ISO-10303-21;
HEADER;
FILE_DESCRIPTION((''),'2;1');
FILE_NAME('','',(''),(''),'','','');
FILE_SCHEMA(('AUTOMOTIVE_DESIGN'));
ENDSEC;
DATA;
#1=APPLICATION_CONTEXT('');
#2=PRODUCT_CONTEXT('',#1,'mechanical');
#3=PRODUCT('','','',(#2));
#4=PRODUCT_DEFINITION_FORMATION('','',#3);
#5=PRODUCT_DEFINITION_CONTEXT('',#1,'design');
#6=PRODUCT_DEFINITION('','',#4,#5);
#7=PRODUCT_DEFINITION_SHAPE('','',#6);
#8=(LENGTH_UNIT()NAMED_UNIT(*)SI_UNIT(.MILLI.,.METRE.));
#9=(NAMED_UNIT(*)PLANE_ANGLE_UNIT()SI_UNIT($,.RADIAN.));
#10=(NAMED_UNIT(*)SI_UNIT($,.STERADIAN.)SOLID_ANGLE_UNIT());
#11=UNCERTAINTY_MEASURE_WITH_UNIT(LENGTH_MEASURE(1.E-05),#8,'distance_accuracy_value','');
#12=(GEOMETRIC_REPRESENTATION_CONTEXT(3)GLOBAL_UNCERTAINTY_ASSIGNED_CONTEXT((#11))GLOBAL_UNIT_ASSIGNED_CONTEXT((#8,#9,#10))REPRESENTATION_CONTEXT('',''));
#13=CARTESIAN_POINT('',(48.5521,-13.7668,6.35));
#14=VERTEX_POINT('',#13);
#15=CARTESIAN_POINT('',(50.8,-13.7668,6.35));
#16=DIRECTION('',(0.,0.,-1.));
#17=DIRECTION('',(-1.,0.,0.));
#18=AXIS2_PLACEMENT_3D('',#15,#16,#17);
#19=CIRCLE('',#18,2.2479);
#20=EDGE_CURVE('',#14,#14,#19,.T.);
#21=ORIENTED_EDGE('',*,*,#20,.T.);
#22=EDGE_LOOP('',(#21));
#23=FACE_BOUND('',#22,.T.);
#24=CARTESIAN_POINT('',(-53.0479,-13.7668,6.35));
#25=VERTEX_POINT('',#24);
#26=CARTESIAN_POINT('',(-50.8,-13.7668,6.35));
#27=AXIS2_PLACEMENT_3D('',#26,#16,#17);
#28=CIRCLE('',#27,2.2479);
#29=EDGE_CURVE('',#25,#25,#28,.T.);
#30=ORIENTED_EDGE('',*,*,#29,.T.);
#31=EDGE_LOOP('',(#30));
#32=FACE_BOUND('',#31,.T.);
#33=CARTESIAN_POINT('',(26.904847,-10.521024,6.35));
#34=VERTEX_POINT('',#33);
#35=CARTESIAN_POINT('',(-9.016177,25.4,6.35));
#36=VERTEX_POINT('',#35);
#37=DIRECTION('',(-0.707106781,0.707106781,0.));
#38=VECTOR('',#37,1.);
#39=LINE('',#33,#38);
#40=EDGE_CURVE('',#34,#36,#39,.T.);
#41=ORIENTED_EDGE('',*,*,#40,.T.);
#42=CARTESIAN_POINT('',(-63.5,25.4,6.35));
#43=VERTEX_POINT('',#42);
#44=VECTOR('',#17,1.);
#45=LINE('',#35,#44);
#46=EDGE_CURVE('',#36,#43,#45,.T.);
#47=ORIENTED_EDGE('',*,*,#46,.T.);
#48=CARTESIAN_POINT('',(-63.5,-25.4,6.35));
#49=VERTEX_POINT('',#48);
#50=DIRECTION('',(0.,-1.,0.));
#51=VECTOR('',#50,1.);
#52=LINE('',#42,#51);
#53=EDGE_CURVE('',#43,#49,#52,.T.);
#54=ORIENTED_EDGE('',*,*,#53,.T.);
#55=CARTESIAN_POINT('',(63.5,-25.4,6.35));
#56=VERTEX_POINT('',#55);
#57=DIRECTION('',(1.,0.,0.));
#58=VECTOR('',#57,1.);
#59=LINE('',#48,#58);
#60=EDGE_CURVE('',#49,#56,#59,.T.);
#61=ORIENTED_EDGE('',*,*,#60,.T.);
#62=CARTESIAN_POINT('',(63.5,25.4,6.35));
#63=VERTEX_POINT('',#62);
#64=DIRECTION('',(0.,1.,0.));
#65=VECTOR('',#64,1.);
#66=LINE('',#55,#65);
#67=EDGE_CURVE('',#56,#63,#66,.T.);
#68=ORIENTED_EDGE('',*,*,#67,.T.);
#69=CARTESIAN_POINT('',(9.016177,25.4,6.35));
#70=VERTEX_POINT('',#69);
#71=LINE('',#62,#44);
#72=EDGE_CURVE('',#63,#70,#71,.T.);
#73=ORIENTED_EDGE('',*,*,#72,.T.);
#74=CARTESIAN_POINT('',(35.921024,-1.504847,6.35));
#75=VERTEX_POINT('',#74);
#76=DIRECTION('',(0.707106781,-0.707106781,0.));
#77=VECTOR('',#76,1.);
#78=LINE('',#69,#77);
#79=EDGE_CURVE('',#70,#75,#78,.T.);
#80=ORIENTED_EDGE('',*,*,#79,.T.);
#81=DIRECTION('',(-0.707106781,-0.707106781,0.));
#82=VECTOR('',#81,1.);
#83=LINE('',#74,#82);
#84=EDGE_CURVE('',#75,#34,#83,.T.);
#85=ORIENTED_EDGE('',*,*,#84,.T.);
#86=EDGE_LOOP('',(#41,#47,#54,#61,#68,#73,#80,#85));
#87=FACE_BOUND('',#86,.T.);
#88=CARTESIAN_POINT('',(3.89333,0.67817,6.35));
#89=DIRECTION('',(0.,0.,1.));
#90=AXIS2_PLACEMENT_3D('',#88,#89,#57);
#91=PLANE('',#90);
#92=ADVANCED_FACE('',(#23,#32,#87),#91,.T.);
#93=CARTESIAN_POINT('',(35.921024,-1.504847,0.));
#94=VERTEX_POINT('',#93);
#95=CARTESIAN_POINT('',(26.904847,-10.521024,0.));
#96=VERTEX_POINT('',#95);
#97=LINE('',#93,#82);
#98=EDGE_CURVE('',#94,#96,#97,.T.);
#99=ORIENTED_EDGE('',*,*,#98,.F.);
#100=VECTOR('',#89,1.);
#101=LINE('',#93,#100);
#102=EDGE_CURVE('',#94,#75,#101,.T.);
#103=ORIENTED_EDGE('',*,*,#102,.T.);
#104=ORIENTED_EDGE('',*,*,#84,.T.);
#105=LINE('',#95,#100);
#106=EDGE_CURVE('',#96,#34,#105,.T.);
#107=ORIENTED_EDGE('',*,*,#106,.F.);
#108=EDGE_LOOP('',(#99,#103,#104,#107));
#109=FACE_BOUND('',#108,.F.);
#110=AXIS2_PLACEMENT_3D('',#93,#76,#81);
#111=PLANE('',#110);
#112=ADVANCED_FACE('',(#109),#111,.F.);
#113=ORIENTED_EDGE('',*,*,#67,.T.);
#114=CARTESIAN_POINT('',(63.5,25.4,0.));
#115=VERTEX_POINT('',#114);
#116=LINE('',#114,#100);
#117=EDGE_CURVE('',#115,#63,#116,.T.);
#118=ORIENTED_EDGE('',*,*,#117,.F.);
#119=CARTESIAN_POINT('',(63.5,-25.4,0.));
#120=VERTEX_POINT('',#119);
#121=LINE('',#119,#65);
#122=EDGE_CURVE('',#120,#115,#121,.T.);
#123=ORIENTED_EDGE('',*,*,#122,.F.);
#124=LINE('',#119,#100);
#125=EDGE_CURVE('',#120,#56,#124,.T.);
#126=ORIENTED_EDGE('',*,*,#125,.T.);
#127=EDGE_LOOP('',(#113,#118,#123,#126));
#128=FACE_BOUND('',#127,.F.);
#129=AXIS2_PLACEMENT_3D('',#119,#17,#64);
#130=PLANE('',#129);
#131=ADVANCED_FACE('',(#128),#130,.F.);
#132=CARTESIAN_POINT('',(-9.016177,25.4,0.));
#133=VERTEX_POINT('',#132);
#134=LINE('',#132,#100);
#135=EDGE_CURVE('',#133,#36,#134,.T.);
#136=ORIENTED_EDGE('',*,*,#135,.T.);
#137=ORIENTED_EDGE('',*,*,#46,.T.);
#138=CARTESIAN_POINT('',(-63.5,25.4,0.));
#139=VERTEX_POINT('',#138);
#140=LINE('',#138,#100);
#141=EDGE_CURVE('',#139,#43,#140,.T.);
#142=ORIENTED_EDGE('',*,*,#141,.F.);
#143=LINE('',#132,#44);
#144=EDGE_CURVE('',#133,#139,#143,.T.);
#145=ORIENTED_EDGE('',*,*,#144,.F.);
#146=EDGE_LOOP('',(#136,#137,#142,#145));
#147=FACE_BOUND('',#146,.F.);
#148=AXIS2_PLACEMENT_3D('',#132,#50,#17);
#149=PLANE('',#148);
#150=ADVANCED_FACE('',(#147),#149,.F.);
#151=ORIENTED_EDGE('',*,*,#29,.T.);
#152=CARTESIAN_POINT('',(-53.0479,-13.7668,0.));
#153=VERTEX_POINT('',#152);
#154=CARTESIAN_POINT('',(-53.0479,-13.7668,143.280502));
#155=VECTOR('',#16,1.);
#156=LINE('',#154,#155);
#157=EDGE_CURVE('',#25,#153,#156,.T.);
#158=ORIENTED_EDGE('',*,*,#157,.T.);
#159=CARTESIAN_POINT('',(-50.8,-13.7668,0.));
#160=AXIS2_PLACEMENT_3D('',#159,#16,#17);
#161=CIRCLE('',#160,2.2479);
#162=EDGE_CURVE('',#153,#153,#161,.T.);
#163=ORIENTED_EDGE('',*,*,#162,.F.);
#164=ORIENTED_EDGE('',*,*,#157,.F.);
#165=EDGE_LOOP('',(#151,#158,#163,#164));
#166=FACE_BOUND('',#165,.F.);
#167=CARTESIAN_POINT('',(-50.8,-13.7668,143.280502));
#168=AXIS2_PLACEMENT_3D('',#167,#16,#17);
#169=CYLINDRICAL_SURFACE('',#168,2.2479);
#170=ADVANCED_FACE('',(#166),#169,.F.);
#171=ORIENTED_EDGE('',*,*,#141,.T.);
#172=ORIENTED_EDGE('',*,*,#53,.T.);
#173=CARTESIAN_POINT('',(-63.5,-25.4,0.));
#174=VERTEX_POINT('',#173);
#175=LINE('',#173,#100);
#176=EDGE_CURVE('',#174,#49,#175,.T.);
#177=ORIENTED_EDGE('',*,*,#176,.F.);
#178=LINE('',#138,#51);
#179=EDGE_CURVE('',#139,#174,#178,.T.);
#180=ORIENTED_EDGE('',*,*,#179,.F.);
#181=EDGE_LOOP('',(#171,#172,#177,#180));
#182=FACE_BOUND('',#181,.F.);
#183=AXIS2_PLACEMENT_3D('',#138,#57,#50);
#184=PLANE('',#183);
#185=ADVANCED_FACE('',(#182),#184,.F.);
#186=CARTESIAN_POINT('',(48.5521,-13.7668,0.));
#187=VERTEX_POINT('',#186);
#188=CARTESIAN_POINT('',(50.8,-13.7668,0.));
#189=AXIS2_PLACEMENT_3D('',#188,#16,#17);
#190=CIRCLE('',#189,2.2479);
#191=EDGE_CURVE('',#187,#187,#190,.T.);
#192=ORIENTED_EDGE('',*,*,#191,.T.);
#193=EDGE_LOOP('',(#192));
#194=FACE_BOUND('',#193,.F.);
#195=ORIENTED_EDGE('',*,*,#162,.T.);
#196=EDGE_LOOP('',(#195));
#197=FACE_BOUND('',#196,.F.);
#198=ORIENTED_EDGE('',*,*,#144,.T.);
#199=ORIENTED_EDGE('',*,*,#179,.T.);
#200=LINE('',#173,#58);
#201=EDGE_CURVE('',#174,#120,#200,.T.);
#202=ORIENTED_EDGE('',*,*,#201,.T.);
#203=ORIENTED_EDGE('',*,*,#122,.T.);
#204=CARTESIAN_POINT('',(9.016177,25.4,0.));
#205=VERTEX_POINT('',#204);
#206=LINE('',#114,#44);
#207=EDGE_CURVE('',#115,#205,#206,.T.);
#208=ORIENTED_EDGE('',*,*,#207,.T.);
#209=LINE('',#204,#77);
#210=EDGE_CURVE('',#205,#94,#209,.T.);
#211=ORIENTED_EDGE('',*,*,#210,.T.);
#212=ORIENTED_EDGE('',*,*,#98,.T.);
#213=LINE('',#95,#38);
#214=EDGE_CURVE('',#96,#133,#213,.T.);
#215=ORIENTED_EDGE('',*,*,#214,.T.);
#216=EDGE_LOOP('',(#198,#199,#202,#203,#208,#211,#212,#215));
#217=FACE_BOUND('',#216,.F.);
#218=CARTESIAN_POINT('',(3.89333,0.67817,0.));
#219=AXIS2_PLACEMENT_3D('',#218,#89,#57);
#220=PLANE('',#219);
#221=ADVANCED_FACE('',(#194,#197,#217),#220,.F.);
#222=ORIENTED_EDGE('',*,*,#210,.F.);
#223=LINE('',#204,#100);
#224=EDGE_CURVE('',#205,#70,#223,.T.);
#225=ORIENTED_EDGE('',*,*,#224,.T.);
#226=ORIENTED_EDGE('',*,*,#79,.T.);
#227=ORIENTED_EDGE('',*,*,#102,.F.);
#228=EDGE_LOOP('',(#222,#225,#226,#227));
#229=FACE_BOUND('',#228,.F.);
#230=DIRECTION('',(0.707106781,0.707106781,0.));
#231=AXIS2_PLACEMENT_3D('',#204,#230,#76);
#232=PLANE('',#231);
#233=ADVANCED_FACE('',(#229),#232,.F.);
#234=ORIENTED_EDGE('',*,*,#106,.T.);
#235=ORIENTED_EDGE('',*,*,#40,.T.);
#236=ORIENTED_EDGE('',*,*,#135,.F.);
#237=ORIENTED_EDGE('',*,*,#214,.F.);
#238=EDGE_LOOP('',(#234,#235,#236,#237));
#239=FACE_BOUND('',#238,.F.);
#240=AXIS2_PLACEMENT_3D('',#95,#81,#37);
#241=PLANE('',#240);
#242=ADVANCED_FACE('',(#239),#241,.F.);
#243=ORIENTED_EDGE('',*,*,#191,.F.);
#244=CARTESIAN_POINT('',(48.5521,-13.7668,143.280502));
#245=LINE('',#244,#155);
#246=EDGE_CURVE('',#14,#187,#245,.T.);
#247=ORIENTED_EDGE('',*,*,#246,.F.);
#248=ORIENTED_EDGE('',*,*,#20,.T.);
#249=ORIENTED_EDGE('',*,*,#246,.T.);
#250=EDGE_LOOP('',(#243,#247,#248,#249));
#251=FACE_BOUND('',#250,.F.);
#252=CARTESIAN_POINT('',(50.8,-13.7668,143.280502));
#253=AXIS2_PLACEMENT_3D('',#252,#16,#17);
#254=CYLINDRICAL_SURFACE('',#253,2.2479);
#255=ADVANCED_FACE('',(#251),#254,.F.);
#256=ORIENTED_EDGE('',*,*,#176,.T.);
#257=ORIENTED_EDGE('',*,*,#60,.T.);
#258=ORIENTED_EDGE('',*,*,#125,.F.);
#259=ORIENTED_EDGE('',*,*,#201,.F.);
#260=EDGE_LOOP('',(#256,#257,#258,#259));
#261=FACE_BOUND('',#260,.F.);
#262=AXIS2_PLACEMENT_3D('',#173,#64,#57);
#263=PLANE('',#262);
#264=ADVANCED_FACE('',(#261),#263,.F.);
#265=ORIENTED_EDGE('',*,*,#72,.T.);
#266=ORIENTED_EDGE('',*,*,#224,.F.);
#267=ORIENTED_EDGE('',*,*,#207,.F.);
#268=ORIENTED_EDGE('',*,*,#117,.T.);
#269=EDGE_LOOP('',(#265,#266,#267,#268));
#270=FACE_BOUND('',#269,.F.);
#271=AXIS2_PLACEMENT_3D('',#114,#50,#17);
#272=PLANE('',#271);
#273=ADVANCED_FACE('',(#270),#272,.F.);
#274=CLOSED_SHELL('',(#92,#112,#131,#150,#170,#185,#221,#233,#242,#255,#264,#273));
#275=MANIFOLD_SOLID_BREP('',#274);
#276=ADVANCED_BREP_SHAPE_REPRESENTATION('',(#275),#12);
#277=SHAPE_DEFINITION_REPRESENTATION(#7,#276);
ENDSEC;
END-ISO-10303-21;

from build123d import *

# Parameters (mm, degrees)
F1_DEPTH = 6.35
F3_D     = 4.4958


with BuildPart() as f1:
    # F0 (on Top) → F1 (new body)
    with BuildSketch(Plane.XY):
        Polygon((-9.0161771456, 25.4), (-63.5, 25.4), (-63.5, -25.4), (63.5, -25.4), (63.5, 25.4), (9.0161771456, 25.4), (35.9210244843, -1.5048473387), (26.9048473387, -10.5210244843), align=None)
    extrude(amount=F1_DEPTH)

    # F3 (through all)
    with Locations(Plane.XY.offset(6.35)):
        with Locations((-50.8, -13.7668), (50.8, -13.7668)):
            Hole(F3_D / 2)


solid = f1.part
